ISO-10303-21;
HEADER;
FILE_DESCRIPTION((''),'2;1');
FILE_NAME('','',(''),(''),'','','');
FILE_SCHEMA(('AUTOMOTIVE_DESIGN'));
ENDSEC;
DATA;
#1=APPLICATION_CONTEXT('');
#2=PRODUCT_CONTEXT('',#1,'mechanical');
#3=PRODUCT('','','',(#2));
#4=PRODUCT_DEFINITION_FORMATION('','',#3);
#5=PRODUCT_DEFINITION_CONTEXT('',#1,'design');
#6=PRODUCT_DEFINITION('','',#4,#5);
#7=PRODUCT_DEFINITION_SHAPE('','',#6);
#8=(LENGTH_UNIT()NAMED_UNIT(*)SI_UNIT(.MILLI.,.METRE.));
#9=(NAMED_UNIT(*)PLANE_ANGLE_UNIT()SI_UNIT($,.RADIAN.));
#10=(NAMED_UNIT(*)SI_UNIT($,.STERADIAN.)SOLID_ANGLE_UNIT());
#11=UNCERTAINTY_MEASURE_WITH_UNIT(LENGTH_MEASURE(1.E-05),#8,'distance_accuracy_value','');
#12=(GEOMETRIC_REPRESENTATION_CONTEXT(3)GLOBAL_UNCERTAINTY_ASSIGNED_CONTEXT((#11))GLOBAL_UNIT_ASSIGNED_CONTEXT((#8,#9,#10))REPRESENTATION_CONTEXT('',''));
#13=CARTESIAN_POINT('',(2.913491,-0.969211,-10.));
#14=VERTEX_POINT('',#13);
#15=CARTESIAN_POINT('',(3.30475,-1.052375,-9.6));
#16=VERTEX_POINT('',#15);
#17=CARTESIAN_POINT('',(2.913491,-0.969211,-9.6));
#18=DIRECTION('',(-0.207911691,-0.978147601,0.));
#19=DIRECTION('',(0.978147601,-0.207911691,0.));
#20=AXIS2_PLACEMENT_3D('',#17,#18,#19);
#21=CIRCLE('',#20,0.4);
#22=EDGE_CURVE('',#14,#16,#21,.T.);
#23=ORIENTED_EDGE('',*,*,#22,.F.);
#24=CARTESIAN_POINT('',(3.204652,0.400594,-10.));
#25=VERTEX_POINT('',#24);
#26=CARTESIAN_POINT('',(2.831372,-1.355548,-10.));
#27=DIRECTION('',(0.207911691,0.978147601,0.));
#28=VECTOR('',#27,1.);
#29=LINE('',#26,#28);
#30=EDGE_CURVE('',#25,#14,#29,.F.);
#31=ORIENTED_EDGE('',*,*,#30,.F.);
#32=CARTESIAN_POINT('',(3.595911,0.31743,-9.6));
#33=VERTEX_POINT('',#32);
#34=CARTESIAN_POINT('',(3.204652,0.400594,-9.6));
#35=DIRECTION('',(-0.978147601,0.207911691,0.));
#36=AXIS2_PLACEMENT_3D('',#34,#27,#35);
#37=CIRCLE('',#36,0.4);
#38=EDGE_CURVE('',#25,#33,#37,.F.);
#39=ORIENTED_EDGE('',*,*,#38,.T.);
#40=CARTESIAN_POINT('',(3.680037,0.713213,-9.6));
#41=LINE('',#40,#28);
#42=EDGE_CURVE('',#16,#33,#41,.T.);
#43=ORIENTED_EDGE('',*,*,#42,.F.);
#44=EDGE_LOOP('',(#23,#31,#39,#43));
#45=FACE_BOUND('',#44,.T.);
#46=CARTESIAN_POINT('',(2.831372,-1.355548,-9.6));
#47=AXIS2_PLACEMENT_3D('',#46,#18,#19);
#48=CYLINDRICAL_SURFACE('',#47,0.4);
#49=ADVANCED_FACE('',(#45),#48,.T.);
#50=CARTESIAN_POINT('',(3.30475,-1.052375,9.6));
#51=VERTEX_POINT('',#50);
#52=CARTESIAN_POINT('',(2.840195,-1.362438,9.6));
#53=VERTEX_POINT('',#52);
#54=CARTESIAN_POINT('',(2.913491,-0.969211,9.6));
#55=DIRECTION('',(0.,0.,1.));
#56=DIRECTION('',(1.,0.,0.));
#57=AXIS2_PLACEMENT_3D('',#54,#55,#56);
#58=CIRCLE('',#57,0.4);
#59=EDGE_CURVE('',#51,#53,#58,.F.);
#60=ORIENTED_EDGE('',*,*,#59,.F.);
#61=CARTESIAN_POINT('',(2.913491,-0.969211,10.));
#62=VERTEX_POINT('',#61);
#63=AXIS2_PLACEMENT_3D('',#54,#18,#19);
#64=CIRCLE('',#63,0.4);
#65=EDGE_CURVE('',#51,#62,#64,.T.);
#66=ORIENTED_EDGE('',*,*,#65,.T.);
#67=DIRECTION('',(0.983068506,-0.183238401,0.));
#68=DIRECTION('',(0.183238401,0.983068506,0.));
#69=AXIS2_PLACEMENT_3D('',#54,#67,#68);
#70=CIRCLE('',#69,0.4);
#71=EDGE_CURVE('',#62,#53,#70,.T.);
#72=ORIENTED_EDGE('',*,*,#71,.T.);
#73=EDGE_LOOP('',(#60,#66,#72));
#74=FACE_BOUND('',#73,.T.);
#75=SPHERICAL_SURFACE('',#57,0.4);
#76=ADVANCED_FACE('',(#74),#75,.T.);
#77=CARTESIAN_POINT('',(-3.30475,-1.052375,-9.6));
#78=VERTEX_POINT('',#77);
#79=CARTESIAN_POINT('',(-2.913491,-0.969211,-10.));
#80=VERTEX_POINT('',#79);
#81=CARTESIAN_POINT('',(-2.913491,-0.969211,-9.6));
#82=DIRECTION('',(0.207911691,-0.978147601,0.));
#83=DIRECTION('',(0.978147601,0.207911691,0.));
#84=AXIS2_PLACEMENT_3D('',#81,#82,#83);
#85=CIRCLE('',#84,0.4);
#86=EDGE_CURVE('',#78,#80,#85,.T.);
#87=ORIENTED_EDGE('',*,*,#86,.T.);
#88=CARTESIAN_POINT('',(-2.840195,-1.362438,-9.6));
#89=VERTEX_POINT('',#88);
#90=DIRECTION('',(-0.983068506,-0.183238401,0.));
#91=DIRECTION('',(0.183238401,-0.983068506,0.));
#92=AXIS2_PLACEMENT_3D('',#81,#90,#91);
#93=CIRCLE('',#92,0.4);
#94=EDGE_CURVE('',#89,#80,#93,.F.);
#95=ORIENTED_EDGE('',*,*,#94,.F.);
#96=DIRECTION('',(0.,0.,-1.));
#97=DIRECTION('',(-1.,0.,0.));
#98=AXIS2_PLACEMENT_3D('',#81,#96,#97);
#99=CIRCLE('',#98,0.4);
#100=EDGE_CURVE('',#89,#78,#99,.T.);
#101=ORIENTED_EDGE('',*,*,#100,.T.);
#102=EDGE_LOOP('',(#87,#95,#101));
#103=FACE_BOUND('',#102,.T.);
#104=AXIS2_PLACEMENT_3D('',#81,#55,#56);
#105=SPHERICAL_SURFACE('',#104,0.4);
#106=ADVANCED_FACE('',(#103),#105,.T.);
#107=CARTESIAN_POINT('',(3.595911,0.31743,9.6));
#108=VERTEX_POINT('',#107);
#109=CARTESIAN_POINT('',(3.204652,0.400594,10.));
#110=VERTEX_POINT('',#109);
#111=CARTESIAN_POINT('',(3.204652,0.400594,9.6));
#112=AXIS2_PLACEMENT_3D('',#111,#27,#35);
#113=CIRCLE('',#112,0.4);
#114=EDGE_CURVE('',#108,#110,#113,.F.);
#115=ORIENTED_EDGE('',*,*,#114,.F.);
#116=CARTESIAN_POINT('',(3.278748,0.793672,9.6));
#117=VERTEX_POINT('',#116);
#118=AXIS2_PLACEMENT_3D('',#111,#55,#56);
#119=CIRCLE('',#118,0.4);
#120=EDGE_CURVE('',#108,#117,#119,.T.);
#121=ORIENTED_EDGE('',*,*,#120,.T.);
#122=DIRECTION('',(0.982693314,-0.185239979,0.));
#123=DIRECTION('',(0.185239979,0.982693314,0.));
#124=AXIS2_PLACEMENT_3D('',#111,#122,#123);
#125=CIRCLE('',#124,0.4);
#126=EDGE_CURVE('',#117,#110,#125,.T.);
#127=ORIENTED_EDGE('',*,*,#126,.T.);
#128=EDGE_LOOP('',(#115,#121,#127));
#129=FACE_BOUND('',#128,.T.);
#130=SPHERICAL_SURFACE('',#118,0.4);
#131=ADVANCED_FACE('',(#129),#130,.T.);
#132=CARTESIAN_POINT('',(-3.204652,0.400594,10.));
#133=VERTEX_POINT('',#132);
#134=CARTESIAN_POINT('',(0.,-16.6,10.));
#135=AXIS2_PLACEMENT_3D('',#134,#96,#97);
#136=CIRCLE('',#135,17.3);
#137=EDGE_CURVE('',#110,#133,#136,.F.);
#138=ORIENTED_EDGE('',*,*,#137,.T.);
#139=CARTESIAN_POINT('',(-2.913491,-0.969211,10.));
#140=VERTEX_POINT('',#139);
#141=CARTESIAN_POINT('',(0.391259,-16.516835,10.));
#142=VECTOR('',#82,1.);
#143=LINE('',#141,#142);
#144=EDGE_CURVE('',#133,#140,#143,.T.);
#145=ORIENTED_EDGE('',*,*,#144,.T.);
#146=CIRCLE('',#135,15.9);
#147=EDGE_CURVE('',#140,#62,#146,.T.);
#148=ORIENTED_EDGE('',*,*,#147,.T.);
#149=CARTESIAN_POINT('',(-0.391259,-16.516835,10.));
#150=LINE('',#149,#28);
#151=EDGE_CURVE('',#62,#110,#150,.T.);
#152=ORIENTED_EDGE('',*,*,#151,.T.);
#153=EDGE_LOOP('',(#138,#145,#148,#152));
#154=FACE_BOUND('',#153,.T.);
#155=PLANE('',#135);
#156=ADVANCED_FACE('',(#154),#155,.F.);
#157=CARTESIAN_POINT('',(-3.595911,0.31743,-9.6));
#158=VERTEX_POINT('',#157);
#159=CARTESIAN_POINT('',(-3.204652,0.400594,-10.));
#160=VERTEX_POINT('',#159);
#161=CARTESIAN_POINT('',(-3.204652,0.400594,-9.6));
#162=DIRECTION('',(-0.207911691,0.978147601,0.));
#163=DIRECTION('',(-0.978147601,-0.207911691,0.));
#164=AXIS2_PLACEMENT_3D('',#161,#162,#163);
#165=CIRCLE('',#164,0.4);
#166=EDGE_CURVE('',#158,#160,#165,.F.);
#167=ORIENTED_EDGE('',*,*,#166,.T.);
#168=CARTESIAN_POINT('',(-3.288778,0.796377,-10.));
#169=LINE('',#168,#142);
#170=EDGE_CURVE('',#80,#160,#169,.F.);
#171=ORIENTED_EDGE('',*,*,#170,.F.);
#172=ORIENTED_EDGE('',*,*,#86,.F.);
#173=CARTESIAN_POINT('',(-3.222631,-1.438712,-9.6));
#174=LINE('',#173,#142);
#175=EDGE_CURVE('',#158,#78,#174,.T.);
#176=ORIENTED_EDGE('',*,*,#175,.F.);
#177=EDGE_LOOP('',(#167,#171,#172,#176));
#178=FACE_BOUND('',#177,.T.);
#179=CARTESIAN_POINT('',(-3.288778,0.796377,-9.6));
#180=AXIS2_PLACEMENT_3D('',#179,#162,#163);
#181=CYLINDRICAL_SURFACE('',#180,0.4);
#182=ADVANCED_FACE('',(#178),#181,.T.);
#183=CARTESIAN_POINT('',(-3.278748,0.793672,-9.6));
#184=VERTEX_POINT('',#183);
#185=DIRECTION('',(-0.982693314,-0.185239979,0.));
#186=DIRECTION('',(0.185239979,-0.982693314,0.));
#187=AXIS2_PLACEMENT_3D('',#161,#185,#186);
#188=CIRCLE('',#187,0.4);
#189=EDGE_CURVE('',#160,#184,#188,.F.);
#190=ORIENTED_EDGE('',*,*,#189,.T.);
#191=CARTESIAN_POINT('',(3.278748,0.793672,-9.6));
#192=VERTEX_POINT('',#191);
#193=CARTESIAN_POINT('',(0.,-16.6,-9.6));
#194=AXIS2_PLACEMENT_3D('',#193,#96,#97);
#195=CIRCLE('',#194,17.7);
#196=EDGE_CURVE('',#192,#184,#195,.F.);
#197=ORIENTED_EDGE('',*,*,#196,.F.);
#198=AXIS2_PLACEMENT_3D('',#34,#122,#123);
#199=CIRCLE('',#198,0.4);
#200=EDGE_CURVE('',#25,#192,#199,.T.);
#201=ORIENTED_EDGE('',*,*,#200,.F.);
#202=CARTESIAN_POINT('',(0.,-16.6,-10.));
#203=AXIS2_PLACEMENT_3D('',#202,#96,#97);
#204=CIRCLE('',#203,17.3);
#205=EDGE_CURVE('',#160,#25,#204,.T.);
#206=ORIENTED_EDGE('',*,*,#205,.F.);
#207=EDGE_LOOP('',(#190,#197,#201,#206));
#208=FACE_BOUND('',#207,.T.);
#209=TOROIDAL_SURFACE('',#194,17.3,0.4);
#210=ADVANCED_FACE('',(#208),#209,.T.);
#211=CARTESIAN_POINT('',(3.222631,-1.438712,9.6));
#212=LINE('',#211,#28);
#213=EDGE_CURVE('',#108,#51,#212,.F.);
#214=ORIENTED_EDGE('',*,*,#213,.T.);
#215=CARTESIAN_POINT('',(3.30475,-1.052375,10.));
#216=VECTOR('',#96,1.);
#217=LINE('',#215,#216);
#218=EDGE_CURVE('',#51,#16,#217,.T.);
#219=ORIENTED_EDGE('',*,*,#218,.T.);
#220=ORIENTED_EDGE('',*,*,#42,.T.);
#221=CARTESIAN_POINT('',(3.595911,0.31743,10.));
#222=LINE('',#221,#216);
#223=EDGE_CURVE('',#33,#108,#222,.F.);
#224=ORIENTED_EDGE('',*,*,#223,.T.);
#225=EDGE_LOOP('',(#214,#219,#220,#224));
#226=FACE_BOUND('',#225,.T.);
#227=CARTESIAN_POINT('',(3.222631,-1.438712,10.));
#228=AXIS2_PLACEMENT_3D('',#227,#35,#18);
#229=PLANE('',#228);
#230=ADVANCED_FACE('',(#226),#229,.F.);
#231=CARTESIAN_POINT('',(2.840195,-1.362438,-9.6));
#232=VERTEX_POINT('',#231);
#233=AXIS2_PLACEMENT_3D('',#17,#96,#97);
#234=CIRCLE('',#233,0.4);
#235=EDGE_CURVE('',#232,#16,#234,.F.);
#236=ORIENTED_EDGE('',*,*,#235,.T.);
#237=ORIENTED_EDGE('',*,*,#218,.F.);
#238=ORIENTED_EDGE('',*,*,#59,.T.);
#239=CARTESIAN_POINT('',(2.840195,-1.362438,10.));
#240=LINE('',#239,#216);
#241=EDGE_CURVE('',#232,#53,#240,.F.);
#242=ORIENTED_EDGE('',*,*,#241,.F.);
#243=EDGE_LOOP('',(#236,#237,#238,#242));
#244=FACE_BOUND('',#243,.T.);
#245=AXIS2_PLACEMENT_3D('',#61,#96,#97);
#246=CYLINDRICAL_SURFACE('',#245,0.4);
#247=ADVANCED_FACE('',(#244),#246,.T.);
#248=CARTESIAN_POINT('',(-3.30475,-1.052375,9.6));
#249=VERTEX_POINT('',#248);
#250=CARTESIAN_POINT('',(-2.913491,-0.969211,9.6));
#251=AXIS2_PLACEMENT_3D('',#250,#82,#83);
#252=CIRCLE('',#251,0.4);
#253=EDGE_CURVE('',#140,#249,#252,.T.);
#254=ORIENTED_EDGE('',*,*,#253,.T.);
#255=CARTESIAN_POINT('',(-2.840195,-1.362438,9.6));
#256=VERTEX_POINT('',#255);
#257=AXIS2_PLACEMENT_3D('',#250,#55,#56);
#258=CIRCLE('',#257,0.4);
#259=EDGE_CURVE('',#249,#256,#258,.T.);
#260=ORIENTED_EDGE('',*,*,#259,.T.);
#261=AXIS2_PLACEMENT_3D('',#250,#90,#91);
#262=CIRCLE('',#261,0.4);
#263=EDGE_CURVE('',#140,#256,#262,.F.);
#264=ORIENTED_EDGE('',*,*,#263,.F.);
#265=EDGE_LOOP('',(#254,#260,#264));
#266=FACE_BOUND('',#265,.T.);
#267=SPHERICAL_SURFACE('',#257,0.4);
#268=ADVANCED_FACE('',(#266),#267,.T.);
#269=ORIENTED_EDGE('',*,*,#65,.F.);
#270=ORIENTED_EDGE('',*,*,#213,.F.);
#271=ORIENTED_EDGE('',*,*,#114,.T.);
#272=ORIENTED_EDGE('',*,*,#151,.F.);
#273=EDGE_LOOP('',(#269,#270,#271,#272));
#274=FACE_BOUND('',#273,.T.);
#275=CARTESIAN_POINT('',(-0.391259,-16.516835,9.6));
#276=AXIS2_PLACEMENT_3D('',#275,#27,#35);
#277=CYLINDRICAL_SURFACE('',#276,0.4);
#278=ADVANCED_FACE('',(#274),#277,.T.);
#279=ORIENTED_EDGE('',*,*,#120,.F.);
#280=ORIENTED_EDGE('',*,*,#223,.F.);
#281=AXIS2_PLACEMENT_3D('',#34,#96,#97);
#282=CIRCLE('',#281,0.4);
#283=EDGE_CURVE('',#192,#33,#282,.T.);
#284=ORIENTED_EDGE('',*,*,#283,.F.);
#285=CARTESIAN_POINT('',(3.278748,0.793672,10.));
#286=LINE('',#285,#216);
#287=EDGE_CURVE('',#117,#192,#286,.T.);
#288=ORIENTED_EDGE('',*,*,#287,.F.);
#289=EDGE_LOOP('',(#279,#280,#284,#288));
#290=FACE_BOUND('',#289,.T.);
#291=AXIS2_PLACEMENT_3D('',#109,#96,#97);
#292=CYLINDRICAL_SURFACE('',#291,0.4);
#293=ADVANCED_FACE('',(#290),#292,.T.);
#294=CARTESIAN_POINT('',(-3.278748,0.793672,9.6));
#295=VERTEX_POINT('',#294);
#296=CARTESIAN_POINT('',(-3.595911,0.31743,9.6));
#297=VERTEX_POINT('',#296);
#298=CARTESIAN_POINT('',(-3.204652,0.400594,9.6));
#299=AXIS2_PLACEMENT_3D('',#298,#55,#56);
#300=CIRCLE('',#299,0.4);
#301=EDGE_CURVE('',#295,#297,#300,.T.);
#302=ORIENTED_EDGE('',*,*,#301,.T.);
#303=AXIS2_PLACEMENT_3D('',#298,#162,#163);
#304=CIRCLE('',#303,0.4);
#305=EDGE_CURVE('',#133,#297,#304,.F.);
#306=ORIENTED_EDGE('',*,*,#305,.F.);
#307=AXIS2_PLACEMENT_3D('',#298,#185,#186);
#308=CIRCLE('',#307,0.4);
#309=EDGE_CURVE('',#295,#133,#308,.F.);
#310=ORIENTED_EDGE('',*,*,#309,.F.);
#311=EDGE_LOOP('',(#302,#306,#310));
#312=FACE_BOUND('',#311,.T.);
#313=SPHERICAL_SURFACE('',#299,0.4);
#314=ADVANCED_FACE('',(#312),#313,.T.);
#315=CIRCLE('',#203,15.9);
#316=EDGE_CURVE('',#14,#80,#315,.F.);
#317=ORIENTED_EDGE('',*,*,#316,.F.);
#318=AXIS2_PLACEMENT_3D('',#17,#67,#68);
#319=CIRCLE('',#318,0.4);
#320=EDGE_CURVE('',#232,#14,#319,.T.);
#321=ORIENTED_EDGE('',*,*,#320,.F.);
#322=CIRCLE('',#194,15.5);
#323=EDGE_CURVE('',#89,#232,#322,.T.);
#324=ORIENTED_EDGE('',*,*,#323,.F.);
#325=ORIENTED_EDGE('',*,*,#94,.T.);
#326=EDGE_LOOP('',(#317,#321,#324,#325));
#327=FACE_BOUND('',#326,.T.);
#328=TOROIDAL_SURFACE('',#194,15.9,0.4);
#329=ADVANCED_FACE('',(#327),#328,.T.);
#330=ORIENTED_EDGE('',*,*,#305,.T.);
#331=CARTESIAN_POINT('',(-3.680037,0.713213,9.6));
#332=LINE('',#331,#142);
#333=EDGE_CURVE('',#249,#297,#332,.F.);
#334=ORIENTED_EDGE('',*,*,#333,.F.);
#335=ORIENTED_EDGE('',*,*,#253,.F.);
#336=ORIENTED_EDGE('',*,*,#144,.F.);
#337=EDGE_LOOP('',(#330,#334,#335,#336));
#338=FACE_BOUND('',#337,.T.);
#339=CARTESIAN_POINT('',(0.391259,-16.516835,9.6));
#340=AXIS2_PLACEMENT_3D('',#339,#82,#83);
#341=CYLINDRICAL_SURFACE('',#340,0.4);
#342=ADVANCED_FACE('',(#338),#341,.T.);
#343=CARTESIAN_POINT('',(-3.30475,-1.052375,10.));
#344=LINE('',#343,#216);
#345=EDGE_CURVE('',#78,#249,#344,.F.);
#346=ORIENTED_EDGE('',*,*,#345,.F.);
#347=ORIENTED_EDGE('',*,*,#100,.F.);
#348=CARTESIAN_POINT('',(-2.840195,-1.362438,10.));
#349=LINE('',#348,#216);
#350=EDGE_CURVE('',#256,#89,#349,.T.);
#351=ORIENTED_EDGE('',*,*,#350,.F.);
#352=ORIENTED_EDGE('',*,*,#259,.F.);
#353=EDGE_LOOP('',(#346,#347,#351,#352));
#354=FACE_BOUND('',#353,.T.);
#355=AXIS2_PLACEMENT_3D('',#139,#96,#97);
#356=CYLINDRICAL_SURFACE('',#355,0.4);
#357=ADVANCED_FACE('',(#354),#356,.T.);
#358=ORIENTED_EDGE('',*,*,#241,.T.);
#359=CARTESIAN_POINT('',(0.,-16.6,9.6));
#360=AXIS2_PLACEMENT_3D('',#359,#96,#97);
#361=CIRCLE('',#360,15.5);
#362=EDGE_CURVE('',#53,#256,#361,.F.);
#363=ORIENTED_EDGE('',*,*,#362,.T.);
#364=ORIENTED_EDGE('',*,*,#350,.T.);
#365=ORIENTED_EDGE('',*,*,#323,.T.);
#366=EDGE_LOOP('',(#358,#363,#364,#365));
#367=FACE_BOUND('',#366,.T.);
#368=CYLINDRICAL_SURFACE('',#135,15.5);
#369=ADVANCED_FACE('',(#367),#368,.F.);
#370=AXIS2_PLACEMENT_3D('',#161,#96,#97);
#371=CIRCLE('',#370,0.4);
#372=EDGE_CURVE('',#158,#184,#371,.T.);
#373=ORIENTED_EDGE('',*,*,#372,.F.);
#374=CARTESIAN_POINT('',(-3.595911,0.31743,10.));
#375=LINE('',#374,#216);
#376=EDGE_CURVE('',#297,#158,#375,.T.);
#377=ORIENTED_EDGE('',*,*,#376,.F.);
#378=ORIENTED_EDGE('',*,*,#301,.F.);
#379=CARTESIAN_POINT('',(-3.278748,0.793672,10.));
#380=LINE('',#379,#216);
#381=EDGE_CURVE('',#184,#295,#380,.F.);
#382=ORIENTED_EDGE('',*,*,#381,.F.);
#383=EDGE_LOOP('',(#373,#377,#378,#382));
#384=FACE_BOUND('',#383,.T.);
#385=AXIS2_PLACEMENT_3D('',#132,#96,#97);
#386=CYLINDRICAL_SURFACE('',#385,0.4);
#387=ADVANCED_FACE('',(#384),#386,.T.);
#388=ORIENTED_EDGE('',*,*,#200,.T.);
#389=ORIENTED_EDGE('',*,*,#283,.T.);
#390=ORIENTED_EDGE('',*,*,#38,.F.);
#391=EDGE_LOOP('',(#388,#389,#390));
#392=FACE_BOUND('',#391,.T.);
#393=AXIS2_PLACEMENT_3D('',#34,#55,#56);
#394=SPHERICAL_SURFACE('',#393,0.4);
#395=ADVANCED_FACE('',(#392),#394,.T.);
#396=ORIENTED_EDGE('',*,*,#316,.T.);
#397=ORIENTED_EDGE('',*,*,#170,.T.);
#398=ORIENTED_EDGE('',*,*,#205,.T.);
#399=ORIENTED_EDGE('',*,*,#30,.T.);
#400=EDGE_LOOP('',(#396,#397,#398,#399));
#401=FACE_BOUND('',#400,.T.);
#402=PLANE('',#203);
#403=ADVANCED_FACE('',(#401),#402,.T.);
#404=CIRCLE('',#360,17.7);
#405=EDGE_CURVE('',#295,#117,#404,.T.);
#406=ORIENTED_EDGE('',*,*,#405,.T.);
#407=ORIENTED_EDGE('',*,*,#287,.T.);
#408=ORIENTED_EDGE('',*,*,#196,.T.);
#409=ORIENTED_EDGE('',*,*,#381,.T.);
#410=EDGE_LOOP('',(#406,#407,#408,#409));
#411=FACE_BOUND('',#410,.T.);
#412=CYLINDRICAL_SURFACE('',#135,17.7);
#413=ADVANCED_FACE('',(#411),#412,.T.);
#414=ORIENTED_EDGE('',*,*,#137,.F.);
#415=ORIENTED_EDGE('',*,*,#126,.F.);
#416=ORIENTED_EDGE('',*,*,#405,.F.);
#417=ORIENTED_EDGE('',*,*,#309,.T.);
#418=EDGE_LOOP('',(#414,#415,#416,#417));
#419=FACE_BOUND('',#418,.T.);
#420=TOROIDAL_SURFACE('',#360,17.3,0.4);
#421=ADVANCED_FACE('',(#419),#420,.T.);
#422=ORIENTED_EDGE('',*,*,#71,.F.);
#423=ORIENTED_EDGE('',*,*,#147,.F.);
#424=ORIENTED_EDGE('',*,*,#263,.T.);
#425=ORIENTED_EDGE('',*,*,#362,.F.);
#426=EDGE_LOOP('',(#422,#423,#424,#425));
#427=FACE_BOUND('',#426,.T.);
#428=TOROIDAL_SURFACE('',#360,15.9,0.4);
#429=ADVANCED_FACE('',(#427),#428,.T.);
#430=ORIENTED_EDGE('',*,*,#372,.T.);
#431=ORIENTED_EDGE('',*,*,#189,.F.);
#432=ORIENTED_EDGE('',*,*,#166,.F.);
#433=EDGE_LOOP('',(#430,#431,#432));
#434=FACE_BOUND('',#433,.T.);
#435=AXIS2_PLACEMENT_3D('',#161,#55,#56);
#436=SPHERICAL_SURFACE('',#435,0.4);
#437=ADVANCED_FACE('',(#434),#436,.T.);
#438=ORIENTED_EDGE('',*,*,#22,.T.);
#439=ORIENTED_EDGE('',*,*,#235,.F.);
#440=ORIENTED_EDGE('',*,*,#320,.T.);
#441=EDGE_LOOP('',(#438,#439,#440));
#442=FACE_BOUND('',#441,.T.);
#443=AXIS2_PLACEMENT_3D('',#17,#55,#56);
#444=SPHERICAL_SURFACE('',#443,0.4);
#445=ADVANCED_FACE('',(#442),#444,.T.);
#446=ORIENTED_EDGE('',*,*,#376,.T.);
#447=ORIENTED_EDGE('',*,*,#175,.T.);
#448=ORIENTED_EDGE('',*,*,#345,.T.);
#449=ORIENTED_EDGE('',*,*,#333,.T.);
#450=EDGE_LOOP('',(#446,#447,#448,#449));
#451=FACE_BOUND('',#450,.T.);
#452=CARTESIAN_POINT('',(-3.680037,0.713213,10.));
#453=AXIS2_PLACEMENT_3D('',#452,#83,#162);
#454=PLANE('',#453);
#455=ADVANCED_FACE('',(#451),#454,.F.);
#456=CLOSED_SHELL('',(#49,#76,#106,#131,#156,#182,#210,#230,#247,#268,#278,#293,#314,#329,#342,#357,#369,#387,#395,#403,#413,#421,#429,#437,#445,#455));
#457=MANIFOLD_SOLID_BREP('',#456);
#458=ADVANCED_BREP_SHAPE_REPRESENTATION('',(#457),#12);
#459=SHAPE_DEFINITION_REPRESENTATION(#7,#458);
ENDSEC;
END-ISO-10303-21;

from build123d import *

# Parameters (mm, degrees)
BOSS_EXTRUDE2_DEPTH = 10
FILLET1_R           = 0.4


with BuildPart() as part:
    # Sketch4 → Boss-Extrude2 (new, symmetric)
    with BuildSketch(Plane.XY):
        with BuildLine():
            Line((-3.680036927, 0.713212533), (-3.222631208, -1.438712189))
            ThreePointArc((-3.222631208, -1.438712189), (0, -1.1), (3.222631208, -1.438712189))
            Line((3.222631208, -1.438712189), (3.680036927, 0.713212533))
            ThreePointArc((3.680036927, 0.713212533), (0, 1.1), (-3.680036927, 0.713212533))
        make_face()
    extrude(amount=BOSS_EXTRUDE2_DEPTH, both=True)

    # Fillet1
    fillet1_edges = [part.edges().sort_by_distance(p)[0] for p in [
        (0, 1.1, 10),
        (-3.451334068, -0.362749828, 10),
        (0, -1.1, 10),
        (-3.451334068, -0.362749828, -10),
        (0, 1.1, -10),
        (3.451334068, -0.362749828, -10),
        (0, -1.1, -10),
        (-3.222631208, -1.438712189, 0),
        (-3.680036927, 0.713212533, 0),
        (3.680036927, 0.713212533, 0),
        (3.222631208, -1.438712189, 0),
        (3.451334068, -0.362749828, 10),
    ]]
    fillet(fillet1_edges, radius=FILLET1_R)


solid = part.part
